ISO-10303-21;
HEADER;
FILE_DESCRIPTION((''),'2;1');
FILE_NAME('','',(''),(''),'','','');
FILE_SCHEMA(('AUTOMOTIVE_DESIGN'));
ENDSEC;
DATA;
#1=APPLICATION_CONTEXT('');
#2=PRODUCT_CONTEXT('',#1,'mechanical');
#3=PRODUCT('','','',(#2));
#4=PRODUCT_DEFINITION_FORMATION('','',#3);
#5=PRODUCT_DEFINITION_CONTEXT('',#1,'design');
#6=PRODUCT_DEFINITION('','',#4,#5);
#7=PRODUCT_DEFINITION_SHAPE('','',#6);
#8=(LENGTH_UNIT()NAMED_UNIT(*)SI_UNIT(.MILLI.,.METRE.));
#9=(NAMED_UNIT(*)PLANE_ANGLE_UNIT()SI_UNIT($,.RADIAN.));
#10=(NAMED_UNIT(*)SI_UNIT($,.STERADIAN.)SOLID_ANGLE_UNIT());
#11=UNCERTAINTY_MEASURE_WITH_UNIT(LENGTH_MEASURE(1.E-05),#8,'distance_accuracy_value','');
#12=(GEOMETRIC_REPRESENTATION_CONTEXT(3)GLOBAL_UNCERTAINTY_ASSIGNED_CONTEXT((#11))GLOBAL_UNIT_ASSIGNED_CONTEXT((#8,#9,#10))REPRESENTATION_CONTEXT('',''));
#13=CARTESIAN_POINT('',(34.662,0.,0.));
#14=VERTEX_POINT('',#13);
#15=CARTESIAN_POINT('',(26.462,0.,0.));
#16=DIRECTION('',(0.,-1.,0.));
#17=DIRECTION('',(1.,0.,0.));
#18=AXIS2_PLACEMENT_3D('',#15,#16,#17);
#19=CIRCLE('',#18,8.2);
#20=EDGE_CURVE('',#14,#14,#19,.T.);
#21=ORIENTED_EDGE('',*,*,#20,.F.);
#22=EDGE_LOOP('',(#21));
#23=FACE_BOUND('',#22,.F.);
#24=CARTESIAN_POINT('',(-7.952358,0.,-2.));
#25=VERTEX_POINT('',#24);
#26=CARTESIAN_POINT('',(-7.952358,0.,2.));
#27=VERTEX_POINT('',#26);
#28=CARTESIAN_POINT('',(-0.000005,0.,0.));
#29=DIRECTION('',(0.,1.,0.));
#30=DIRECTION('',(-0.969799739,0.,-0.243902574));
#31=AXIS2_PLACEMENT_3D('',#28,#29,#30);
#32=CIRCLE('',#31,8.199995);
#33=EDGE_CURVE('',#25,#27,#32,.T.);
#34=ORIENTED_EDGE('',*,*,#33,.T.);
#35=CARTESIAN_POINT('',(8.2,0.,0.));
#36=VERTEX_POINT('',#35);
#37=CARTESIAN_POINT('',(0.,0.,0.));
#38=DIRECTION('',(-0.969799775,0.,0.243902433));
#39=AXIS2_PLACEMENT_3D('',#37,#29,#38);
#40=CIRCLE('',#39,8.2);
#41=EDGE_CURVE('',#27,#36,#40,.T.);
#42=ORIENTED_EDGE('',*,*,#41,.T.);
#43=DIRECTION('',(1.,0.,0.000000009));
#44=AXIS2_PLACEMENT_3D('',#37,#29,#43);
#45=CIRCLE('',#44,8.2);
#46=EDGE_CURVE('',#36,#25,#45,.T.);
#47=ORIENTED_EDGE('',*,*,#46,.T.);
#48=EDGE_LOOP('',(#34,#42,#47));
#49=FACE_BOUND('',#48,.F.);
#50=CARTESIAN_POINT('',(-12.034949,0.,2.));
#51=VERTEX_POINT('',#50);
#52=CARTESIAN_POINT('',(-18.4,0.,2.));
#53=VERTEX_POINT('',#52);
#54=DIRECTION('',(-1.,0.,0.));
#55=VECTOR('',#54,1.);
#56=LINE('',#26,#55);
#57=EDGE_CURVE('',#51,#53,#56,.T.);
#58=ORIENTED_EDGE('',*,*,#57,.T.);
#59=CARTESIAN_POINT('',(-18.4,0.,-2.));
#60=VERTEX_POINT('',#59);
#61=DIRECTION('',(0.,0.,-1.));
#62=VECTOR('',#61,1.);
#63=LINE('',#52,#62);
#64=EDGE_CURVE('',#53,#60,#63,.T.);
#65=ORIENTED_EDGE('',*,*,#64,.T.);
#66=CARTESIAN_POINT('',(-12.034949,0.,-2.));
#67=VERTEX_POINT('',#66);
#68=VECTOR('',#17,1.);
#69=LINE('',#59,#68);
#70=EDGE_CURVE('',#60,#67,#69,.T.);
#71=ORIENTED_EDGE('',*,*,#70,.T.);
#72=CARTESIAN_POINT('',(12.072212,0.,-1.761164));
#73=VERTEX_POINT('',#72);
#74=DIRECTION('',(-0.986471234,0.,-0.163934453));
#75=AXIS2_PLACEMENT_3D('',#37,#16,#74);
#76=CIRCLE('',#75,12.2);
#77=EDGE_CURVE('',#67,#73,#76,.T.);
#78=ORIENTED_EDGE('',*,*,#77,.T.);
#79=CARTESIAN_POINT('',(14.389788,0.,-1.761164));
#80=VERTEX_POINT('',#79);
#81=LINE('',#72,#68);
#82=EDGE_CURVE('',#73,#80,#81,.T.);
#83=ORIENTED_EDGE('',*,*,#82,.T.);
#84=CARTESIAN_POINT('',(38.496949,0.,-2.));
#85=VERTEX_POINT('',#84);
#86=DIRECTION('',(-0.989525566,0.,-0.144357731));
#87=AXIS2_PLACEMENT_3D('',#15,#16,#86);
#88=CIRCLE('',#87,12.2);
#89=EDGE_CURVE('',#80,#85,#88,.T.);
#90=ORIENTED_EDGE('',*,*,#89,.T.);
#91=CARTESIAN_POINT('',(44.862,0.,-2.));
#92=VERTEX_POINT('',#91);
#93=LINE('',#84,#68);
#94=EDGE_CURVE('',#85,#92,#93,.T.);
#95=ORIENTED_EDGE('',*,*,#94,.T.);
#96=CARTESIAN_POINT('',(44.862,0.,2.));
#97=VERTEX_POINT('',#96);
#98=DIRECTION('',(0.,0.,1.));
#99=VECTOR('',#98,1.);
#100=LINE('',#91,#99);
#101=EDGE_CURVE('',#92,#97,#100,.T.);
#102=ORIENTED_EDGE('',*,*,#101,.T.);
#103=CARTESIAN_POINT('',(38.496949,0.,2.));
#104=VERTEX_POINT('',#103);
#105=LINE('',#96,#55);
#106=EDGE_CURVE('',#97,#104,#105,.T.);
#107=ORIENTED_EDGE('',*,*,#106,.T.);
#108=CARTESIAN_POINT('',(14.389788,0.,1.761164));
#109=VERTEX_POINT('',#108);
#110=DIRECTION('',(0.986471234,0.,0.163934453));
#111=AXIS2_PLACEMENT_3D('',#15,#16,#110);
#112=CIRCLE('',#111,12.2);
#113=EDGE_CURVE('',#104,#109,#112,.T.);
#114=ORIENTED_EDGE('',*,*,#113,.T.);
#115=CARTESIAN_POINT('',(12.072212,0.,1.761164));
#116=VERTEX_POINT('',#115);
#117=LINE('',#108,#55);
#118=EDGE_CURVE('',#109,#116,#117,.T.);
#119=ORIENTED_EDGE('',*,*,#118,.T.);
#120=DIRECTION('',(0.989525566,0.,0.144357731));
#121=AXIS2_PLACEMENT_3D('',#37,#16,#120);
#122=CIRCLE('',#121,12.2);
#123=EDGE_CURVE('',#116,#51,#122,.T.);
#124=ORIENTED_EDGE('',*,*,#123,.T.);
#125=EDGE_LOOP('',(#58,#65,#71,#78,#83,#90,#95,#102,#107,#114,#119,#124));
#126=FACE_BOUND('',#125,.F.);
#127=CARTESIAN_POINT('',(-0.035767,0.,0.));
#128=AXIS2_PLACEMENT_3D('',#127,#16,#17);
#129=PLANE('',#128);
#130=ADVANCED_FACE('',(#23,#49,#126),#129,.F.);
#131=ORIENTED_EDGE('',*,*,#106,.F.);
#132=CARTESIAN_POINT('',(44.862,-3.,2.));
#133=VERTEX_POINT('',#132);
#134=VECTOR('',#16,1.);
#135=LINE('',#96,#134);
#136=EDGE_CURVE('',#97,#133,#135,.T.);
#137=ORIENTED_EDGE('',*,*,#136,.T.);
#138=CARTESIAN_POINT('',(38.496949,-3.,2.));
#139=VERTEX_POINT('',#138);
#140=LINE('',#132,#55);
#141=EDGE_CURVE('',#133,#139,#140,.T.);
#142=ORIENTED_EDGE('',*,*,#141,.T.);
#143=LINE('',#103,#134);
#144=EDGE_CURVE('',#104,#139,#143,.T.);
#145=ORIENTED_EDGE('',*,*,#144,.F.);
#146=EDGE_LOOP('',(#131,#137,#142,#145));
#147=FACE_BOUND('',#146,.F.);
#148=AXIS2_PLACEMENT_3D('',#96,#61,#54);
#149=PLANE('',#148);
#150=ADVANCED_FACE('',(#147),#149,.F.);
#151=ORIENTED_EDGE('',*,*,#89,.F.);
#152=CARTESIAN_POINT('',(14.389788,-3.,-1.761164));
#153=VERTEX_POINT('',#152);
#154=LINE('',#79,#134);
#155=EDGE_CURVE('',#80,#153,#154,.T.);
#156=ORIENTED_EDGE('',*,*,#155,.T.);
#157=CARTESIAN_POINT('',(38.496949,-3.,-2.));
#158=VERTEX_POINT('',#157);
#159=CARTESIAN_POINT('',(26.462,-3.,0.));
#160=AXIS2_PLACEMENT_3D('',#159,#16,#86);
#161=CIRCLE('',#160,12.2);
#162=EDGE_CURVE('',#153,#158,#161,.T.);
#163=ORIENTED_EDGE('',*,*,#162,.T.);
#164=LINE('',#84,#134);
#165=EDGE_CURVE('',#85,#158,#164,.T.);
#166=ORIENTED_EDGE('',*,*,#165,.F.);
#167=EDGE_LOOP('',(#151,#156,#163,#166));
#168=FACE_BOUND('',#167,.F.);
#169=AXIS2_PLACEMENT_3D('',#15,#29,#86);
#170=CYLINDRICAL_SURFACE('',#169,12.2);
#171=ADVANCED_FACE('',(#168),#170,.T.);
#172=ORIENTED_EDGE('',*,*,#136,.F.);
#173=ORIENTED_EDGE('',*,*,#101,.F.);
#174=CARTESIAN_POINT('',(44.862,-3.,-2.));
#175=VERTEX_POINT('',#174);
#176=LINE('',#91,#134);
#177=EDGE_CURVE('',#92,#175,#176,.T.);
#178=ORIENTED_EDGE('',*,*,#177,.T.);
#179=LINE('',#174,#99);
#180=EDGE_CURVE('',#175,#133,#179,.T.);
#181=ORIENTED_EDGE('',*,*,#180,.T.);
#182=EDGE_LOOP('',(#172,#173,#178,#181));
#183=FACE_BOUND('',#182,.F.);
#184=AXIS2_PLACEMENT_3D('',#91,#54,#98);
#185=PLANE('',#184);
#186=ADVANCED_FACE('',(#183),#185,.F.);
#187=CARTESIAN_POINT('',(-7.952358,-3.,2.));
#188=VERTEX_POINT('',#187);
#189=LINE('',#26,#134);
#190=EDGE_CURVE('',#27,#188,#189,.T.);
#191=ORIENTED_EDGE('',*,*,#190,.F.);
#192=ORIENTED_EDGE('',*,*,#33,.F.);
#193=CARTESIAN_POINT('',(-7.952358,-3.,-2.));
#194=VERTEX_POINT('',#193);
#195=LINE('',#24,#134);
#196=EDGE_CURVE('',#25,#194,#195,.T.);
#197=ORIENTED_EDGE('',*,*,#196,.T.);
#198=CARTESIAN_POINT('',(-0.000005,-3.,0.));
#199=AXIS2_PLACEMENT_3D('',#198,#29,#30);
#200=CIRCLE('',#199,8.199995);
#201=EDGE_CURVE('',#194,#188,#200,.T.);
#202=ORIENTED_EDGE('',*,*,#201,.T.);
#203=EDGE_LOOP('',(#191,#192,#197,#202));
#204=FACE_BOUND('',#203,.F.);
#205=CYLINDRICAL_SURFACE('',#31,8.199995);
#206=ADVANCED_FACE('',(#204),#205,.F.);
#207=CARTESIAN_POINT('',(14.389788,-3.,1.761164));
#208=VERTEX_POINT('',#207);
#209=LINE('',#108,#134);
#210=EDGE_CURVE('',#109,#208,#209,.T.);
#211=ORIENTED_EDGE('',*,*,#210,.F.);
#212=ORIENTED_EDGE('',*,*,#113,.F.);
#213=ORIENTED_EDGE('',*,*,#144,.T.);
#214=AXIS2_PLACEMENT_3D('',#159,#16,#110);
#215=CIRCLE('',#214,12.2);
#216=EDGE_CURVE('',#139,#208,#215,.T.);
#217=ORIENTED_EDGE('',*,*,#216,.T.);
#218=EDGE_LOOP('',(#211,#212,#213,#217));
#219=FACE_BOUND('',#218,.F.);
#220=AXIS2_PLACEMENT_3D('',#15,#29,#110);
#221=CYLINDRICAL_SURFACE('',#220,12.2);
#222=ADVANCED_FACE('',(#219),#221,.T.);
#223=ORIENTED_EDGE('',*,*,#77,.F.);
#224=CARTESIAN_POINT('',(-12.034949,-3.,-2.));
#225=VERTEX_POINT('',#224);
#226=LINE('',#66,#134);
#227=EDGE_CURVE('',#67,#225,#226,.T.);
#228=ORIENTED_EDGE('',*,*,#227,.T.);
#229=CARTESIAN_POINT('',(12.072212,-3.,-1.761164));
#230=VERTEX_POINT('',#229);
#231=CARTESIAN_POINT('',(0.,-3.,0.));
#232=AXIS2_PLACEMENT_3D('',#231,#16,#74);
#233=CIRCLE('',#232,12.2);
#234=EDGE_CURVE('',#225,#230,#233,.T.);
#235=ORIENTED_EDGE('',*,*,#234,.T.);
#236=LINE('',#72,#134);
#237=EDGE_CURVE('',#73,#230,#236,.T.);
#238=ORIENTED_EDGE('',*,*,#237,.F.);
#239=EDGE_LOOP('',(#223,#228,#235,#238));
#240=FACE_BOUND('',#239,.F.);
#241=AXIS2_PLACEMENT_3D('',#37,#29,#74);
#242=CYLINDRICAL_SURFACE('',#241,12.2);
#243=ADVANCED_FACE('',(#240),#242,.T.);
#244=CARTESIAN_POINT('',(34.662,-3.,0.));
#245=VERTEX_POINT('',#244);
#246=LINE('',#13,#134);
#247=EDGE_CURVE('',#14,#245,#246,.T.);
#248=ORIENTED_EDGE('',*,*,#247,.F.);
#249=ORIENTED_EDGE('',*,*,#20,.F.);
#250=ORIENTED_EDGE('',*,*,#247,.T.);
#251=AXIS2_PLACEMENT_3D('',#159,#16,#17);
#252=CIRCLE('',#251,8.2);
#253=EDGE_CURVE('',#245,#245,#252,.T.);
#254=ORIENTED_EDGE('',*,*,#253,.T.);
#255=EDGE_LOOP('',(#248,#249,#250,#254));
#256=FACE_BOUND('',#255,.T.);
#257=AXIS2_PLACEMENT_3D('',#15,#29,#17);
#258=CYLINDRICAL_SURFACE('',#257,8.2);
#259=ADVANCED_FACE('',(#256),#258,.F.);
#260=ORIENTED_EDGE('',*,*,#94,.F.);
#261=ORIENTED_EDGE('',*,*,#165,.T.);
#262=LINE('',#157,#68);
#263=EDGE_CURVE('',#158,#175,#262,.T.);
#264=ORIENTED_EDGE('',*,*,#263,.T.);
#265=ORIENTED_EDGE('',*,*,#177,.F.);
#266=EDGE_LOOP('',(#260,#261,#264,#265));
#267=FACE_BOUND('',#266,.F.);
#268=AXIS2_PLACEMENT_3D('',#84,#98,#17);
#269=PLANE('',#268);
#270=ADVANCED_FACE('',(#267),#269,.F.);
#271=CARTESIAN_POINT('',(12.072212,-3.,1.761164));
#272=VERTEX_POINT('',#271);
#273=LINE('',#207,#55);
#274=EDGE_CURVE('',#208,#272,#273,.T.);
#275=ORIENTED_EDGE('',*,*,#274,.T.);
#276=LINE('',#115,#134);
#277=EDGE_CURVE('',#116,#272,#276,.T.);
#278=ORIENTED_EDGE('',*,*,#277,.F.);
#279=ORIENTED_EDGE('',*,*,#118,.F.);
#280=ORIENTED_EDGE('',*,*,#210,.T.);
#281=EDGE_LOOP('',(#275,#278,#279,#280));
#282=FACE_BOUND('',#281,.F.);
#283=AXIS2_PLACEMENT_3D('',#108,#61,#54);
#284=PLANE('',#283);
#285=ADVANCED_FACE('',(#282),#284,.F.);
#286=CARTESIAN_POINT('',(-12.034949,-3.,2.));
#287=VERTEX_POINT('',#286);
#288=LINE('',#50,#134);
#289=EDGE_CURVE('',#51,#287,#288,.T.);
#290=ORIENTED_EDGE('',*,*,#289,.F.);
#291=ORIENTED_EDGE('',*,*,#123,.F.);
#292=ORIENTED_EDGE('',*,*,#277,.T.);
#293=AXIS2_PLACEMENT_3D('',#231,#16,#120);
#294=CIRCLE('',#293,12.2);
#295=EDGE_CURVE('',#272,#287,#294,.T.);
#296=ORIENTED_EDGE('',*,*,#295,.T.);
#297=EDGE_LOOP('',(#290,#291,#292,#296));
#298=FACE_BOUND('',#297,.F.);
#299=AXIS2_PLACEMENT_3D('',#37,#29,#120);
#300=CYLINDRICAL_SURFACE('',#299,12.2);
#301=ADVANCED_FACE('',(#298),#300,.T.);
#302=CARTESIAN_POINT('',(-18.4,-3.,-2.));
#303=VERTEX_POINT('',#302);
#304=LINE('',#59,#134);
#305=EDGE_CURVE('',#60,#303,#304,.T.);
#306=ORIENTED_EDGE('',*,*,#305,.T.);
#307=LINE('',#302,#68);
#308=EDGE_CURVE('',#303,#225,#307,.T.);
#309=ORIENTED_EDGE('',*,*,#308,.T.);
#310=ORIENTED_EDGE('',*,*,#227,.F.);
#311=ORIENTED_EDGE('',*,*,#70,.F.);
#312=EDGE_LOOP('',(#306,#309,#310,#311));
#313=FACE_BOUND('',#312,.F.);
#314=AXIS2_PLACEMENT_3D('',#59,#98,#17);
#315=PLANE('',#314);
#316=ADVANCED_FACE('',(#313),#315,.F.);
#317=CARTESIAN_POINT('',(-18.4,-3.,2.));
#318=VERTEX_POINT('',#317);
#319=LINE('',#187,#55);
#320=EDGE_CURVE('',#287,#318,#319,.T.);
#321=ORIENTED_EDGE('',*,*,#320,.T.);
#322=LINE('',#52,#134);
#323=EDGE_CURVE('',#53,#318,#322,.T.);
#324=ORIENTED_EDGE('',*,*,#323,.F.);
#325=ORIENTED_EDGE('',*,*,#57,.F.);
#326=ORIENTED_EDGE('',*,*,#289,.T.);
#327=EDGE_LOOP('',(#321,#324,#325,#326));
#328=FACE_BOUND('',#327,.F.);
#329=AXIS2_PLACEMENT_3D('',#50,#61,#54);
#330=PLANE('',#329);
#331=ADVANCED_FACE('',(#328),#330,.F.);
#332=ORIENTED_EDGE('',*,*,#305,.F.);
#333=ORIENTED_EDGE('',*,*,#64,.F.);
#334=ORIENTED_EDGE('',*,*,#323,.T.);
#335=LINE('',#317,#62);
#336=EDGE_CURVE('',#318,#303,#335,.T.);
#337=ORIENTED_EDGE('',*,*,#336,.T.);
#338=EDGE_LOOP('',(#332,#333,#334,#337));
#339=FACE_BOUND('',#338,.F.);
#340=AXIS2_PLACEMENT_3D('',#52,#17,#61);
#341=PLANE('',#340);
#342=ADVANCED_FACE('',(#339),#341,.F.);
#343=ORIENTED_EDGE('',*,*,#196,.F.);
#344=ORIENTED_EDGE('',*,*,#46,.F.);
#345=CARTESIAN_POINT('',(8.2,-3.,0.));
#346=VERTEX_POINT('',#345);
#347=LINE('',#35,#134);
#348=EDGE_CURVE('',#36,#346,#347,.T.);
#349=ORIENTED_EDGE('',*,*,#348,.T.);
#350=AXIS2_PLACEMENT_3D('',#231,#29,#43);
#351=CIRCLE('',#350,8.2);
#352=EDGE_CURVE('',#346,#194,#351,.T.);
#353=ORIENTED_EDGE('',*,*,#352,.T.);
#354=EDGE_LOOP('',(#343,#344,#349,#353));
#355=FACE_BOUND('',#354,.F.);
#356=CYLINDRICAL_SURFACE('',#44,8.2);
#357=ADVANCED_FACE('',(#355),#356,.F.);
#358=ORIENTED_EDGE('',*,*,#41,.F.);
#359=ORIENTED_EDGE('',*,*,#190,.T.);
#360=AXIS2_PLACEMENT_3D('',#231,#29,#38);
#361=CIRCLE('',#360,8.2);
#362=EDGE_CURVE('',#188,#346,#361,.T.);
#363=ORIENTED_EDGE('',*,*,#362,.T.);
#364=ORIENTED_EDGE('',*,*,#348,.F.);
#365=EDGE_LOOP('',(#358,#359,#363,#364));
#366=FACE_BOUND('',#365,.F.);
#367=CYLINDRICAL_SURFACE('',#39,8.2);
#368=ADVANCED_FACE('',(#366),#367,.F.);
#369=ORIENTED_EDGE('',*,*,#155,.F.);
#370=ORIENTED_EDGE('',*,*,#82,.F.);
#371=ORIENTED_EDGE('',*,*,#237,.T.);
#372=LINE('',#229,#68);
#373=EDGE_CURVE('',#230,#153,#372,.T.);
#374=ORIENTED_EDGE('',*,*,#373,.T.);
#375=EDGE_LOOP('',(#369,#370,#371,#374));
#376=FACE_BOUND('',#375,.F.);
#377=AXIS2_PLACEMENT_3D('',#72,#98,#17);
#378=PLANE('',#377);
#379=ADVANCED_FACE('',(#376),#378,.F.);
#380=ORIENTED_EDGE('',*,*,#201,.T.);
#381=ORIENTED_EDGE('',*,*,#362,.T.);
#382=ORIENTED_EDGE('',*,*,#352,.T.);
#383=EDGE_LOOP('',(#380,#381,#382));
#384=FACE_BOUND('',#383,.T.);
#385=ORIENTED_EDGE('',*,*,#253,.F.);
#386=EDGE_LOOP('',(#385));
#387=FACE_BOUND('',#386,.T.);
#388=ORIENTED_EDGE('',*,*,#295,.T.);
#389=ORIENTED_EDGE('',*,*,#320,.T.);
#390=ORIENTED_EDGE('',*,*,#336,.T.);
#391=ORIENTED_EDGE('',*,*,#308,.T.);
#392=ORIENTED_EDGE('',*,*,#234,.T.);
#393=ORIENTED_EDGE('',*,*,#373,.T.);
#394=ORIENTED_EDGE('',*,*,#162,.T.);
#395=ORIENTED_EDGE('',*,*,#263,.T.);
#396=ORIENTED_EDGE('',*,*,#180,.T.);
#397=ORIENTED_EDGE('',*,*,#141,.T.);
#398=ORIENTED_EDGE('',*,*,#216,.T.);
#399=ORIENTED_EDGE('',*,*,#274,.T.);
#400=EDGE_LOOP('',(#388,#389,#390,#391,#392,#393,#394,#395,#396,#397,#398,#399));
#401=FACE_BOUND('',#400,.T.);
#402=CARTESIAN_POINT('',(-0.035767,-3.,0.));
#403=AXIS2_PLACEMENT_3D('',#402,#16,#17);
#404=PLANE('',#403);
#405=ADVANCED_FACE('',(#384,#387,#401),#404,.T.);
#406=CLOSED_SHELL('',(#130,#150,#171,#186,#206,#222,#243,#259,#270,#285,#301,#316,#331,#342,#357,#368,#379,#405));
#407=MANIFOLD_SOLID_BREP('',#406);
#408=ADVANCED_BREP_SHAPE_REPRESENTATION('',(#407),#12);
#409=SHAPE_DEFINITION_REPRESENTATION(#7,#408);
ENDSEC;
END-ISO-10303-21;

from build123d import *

# Parameters (mm, degrees)
F0_R     = 8.2
F1_DEPTH = 3


with BuildPart() as f1:
    # F0 (on Front) → F1 (new body)
    with BuildSketch(Plane.XZ):
        with BuildLine():
            ThreePointArc((-7.952358, 2), (1.007637, 8.137854), (8.2, 0))
            ThreePointArc((8.2, 0), (1.007637, -8.137854), (-7.952358, -2))
            Line((-7.952358, -2), (-12.034949, -2))
            ThreePointArc((-12.034949, -2), (0.120863, -12.199401), (12.072212, -1.761164))
            ThreePointArc((12.072212, -1.761164), (12.2, 0), (12.072212, 1.761164))
            ThreePointArc((12.072212, 1.761164), (0.120863, 12.199401), (-12.034949, 2))
            Line((-12.034949, 2), (-7.952358, 2))
        make_face()
        with BuildLine():
            ThreePointArc((-7.952358, -2), (-8.2, 0), (-7.952358, 2))
            Line((-7.952358, 2), (-12.034949, 2))
            Line((-12.034949, 2), (-18.4, 2))
            Line((-18.4, 2), (-18.4, -2))
            Line((-18.4, -2), (-12.034949, -2))
            Line((-12.034949, -2), (-7.952358, -2))
        make_face()
        with BuildLine():
            Line((14.389788, 1.761164), (12.072212, 1.761164))
            ThreePointArc((12.072212, 1.761164), (12.2, 0), (12.072212, -1.761164))
            Line((12.072212, -1.761164), (14.389788, -1.761164))
            ThreePointArc((14.389788, -1.761164), (14.262, 0), (14.389788, 1.761164))
        make_face()
        with BuildLine():
            ThreePointArc((38.496949, 2), (26.341137, 12.199401), (14.389788, 1.761164))
            ThreePointArc((14.389788, 1.761164), (14.262, 0), (14.389788, -1.761164))
            ThreePointArc((14.389788, -1.761164), (26.341137, -12.199401), (38.496949, -2))
            Line((38.496949, -2), (44.862, -2))
            Line((44.862, -2), (44.862, 2))
            Line((44.862, 2), (38.496949, 2))
        make_face()
        with Locations((26.462, 0)):
            Circle(F0_R, mode=Mode.SUBTRACT)
    extrude(amount=F1_DEPTH)


solid = f1.part
